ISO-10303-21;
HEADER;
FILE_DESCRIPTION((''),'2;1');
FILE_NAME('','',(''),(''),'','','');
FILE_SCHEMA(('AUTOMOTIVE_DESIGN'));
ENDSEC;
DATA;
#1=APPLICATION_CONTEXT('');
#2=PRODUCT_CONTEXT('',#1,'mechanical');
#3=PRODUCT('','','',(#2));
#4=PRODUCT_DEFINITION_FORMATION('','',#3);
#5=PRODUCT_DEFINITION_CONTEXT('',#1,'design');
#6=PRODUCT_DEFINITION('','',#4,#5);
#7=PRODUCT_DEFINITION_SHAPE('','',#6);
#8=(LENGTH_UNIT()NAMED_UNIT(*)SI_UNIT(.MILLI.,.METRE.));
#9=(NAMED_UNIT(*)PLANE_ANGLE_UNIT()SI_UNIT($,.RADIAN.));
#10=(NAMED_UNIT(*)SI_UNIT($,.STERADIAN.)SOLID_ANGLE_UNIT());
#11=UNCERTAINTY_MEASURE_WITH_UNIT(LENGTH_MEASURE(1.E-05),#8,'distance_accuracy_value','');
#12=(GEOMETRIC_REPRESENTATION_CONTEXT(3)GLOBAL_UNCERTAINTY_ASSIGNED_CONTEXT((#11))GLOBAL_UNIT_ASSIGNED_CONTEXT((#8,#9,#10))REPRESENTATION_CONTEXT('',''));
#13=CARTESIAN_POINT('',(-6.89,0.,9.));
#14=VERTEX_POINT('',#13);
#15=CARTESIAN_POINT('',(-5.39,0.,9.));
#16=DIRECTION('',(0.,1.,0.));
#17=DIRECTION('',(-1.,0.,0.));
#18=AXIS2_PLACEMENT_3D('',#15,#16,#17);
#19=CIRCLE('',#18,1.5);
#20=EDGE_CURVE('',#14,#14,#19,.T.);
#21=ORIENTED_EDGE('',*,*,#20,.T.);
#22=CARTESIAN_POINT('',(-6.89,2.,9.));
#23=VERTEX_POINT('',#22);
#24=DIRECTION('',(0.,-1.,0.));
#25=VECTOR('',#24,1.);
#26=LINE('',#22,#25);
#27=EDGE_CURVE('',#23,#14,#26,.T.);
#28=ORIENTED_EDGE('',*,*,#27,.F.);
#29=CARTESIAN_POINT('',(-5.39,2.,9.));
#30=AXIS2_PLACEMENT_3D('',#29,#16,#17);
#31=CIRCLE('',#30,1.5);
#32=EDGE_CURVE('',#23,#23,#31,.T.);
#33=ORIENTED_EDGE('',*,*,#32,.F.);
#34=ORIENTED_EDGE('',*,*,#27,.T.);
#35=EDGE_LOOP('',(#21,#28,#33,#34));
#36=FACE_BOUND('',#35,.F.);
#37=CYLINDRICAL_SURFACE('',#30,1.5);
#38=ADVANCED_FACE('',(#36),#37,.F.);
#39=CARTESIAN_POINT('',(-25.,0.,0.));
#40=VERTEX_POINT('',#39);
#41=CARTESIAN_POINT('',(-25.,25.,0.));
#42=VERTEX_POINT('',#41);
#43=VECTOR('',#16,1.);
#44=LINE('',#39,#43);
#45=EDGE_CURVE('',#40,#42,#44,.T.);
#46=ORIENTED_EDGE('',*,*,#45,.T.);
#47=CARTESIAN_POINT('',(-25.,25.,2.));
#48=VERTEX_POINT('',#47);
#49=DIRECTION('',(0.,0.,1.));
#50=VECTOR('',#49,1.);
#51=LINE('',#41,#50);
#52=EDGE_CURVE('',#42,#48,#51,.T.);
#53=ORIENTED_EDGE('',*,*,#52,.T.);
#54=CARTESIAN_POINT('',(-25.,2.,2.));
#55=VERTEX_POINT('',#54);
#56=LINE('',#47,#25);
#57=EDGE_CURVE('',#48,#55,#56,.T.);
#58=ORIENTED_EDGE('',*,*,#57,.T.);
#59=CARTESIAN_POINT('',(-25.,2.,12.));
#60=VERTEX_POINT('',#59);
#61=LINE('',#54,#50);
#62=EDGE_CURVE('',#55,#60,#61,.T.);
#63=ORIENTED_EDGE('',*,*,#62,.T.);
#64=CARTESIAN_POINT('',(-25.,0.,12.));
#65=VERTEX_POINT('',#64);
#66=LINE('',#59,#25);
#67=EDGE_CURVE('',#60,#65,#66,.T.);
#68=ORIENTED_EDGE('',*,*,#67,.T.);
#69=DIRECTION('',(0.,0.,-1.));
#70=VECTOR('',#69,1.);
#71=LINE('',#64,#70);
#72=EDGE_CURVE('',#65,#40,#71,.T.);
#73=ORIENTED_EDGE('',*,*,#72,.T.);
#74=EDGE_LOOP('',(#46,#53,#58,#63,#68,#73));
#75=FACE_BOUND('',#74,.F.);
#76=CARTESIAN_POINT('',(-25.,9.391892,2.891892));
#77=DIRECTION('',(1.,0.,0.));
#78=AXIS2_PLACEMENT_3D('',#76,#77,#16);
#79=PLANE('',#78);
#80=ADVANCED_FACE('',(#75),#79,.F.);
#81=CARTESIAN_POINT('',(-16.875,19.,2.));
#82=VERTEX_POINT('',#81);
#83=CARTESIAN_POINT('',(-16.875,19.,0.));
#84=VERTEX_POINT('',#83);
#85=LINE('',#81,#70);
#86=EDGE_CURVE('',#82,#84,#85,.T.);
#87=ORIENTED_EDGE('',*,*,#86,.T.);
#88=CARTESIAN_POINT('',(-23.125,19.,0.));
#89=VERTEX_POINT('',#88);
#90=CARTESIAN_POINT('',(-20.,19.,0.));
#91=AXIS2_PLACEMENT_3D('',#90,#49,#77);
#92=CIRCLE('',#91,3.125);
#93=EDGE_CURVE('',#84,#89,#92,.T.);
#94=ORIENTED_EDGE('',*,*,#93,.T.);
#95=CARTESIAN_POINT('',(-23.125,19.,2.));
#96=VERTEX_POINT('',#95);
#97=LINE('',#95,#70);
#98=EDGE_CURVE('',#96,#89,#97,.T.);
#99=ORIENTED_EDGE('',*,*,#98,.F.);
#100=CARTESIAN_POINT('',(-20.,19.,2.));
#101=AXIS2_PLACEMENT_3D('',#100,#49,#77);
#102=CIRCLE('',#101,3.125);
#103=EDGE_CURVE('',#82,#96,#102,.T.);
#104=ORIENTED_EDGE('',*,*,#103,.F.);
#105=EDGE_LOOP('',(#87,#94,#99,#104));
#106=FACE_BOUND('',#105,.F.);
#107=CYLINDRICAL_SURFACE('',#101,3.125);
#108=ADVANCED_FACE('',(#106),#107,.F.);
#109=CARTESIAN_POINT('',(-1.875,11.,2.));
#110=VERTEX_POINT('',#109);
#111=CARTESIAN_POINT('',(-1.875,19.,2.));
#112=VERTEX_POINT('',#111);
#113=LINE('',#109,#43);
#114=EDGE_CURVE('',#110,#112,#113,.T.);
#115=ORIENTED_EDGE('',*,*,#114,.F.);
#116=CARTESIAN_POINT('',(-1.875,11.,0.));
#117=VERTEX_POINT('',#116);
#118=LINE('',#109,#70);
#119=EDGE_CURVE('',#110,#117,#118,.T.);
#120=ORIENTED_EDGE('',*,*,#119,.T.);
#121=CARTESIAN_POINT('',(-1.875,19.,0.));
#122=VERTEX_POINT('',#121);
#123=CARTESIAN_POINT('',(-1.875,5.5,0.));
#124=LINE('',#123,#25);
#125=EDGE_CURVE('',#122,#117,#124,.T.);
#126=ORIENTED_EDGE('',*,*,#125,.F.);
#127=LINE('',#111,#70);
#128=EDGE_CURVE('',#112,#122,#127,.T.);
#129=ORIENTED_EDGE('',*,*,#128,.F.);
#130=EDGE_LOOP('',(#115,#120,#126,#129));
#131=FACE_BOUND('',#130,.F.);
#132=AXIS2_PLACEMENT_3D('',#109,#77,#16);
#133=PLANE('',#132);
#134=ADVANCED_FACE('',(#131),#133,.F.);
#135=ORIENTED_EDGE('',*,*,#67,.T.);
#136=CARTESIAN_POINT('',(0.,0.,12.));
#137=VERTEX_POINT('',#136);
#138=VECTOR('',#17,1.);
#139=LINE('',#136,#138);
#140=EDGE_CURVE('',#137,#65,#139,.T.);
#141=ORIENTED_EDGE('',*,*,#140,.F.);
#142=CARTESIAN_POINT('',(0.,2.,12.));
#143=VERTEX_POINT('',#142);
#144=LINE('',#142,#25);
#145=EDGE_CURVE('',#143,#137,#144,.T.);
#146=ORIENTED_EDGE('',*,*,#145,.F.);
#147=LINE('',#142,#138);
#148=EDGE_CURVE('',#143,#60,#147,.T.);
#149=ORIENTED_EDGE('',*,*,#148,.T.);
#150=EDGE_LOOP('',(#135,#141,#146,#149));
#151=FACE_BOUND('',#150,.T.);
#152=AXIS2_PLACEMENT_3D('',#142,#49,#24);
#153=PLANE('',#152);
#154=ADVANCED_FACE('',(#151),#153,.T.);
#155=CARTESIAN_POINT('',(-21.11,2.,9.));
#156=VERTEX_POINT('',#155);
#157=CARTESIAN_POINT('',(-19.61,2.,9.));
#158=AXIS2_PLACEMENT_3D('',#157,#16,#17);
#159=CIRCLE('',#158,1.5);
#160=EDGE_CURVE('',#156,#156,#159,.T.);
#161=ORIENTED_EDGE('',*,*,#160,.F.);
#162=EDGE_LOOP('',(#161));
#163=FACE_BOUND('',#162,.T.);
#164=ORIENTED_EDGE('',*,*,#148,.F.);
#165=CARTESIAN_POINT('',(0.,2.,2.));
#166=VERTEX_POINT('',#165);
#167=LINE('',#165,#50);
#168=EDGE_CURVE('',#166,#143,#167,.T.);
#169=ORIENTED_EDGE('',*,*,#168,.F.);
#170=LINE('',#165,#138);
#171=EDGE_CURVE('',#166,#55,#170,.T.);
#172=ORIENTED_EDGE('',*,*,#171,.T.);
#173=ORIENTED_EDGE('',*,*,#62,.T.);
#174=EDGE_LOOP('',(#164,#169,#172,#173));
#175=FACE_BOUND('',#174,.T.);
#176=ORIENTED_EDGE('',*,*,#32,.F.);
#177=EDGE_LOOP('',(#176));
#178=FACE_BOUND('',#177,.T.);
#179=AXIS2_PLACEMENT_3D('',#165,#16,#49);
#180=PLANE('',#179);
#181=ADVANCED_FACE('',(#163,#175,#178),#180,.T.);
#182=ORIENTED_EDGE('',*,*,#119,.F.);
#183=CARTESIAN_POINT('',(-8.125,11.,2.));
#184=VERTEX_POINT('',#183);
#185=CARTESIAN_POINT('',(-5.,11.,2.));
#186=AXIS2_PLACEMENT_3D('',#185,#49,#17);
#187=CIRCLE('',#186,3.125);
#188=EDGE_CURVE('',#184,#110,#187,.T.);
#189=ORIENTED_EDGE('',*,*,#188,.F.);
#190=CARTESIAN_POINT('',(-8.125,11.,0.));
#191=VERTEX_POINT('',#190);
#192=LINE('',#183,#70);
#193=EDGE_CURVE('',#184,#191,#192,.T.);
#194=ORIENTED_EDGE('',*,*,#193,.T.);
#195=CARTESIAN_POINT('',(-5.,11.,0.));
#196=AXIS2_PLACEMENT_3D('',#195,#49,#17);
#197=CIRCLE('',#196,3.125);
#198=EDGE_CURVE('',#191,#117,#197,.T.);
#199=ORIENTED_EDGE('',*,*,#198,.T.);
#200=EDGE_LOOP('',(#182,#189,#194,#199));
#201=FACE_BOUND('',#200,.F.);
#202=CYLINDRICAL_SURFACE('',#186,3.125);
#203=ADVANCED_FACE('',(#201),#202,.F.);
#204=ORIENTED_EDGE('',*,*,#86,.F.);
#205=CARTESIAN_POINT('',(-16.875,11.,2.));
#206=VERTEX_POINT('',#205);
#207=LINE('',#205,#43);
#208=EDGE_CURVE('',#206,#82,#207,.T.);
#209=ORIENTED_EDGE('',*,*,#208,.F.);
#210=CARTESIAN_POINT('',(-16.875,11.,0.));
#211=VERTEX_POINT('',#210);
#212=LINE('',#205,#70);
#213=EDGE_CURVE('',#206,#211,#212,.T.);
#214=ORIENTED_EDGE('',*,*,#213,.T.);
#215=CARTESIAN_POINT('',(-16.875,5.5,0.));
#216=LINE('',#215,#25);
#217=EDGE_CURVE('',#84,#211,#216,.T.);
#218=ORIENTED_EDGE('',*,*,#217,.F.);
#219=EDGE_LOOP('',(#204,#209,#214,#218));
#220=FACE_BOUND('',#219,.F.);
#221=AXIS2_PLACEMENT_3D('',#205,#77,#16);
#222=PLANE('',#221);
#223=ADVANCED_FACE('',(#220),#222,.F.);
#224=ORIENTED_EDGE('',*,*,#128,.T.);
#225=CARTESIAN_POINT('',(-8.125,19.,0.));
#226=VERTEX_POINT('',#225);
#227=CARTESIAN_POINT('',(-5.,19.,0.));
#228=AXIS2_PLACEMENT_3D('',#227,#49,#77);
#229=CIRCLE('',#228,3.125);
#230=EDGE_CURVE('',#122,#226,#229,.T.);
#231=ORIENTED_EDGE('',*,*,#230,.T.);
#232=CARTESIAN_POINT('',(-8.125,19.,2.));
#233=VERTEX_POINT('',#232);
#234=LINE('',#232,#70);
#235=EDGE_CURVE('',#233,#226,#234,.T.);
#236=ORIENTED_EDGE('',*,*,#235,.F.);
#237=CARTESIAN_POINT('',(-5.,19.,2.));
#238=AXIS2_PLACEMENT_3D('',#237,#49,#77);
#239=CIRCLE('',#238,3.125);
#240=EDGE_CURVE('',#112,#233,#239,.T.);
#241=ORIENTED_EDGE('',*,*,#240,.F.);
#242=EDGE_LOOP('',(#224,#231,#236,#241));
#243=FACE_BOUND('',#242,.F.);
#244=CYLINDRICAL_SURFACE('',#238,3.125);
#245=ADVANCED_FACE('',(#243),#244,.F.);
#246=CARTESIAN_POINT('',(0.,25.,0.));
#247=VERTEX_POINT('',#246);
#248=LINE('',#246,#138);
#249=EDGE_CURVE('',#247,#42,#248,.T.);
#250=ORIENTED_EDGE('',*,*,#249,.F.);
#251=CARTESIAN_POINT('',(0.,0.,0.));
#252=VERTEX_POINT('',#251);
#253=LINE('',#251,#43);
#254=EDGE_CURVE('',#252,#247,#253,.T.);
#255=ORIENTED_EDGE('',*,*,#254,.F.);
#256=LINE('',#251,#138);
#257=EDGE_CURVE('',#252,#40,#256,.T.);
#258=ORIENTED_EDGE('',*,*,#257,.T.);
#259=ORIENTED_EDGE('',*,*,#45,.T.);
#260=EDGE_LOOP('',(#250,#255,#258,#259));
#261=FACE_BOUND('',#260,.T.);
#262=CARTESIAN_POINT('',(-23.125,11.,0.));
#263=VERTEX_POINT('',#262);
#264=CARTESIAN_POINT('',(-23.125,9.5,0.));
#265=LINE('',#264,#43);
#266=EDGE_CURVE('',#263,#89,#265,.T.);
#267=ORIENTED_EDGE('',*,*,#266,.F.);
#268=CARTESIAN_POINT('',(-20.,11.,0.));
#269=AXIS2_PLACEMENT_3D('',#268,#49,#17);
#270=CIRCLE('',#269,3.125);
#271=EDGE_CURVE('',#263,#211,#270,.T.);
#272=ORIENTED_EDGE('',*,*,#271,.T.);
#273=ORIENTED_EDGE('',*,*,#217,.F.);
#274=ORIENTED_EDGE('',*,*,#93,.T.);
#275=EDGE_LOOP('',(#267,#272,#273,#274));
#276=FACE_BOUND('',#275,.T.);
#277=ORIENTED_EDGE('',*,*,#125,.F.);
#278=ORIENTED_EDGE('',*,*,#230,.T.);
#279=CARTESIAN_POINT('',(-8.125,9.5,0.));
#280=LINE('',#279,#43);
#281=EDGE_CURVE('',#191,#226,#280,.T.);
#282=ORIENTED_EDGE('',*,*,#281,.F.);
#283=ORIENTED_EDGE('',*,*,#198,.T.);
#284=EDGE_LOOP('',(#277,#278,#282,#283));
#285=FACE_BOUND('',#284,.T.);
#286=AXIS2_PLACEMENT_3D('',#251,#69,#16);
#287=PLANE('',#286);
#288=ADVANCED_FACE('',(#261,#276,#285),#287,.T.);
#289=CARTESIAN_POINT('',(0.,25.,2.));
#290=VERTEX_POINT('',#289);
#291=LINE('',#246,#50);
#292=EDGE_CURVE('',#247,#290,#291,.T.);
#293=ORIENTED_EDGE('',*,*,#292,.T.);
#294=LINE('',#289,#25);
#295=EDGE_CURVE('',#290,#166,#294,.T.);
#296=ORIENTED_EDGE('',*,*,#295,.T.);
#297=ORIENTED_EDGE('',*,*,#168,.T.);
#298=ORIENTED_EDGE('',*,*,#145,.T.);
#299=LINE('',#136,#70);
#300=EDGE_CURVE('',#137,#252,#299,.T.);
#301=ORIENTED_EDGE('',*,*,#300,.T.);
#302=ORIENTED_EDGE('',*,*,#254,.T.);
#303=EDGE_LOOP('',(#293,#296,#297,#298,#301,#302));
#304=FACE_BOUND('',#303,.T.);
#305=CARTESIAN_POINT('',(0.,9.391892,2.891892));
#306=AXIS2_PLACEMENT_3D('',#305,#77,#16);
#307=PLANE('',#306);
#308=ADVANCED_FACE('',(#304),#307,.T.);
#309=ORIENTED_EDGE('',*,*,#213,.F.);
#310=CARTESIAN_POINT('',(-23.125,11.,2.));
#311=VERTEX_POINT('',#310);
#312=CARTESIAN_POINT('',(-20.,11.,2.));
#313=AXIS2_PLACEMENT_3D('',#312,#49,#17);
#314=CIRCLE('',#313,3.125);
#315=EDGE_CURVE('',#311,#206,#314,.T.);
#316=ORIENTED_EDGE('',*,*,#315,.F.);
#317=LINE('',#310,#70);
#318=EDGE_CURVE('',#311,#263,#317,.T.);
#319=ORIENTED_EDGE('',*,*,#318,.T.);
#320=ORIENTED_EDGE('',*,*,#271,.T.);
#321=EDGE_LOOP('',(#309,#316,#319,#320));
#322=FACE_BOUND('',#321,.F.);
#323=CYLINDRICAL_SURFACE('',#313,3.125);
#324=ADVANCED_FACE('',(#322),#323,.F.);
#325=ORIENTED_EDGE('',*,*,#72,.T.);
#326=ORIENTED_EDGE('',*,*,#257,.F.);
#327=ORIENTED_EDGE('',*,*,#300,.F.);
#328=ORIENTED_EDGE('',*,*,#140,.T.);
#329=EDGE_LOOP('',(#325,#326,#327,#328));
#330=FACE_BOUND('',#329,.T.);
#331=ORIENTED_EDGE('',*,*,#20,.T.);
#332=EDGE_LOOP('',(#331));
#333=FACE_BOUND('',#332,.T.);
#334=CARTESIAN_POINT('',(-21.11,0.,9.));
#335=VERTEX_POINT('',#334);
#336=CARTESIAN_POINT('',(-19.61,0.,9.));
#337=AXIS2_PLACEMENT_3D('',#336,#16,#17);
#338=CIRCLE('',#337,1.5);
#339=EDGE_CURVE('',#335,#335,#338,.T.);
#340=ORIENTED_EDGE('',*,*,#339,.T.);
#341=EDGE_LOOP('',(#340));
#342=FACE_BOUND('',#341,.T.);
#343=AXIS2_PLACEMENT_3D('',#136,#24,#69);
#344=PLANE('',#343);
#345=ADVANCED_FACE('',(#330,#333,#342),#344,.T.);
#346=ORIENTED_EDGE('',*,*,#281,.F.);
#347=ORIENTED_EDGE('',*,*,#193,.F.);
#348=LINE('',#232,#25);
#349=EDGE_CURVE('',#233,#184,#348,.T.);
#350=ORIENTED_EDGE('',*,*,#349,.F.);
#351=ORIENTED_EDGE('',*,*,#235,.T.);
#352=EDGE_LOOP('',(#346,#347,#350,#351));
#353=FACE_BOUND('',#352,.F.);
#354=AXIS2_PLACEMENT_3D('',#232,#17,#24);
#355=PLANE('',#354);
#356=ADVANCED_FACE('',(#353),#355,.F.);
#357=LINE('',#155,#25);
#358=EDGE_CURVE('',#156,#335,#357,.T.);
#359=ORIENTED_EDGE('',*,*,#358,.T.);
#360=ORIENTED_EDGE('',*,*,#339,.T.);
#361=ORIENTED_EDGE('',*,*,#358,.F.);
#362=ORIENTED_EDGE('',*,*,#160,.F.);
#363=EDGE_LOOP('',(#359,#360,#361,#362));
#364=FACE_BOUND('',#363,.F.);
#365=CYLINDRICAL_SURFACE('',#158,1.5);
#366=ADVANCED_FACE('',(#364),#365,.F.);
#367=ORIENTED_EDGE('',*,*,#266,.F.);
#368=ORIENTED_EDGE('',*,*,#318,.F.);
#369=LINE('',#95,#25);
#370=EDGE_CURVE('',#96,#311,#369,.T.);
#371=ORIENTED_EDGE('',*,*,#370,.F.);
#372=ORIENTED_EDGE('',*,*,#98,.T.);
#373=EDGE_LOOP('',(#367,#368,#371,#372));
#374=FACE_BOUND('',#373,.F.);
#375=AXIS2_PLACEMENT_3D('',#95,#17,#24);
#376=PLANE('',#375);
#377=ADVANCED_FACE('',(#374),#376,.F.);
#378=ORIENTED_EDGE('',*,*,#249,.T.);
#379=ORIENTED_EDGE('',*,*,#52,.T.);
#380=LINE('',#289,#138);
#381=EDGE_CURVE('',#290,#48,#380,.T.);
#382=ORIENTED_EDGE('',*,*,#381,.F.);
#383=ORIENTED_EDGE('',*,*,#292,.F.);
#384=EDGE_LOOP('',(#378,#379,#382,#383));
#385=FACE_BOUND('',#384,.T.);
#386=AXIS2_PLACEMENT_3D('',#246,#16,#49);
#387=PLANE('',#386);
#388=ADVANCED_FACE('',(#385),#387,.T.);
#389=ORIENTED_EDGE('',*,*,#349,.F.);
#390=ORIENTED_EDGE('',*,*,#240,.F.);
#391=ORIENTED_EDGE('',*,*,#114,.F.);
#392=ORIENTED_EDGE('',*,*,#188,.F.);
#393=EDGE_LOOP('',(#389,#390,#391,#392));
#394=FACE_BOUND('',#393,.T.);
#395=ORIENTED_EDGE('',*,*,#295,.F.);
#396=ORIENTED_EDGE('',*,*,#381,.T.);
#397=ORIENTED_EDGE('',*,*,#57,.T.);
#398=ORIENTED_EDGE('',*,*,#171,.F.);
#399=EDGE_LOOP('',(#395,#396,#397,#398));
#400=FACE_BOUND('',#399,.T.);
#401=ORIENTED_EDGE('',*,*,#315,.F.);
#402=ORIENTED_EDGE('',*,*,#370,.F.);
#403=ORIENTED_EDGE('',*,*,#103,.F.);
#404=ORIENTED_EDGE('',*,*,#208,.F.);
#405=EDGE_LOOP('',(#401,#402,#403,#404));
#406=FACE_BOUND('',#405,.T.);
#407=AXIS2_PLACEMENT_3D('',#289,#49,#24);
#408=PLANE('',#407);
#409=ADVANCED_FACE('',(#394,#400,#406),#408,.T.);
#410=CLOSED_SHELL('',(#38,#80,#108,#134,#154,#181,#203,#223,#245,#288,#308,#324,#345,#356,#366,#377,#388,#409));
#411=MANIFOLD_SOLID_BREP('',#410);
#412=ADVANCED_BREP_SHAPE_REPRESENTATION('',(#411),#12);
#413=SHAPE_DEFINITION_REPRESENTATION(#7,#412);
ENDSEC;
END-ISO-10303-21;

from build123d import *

# Parameters (mm, degrees)
F1_DEPTH = 25
F2_R     = 1.5
F3_DEPTH = 25
F5_DEPTH = 25


with BuildPart() as f1:
    # F0 (on Right) → F1 (new body)
    with BuildSketch(Plane.YZ):
        Polygon((0, 12), (0, 0), (25, 0), (25, 2), (2, 2), (2, 12), align=None)
    extrude(amount=-F1_DEPTH)

    # F2 (on face) → F3 (cut)
    with BuildSketch(Plane(origin=(0, 2, 0), x_dir=(-1, 0, 0), z_dir=(0, 1, 0))):
        with Locations((5.39, 9)):
            Circle(F2_R)
        with Locations((19.61, 9)):
            Circle(F2_R)
    extrude(amount=-F3_DEPTH, mode=Mode.SUBTRACT)

    # F4 (on face) → F5 (cut)
    with BuildSketch(Plane.XY.offset(2)):
        with BuildLine():
            Line((-16.875, 11), (-16.875, 19))
            ThreePointArc((-16.875, 19), (-20, 22.125), (-23.125, 19))
            Line((-23.125, 19), (-23.125, 11))
            ThreePointArc((-23.125, 11), (-20, 7.875), (-16.875, 11))
        make_face()
        with BuildLine():
            Line((-1.875, 11), (-1.875, 19))
            ThreePointArc((-1.875, 19), (-5, 22.125), (-8.125, 19))
            Line((-8.125, 19), (-8.125, 11))
            ThreePointArc((-8.125, 11), (-5, 7.875), (-1.875, 11))
        make_face()
    extrude(amount=-F5_DEPTH, mode=Mode.SUBTRACT)


solid = f1.part
